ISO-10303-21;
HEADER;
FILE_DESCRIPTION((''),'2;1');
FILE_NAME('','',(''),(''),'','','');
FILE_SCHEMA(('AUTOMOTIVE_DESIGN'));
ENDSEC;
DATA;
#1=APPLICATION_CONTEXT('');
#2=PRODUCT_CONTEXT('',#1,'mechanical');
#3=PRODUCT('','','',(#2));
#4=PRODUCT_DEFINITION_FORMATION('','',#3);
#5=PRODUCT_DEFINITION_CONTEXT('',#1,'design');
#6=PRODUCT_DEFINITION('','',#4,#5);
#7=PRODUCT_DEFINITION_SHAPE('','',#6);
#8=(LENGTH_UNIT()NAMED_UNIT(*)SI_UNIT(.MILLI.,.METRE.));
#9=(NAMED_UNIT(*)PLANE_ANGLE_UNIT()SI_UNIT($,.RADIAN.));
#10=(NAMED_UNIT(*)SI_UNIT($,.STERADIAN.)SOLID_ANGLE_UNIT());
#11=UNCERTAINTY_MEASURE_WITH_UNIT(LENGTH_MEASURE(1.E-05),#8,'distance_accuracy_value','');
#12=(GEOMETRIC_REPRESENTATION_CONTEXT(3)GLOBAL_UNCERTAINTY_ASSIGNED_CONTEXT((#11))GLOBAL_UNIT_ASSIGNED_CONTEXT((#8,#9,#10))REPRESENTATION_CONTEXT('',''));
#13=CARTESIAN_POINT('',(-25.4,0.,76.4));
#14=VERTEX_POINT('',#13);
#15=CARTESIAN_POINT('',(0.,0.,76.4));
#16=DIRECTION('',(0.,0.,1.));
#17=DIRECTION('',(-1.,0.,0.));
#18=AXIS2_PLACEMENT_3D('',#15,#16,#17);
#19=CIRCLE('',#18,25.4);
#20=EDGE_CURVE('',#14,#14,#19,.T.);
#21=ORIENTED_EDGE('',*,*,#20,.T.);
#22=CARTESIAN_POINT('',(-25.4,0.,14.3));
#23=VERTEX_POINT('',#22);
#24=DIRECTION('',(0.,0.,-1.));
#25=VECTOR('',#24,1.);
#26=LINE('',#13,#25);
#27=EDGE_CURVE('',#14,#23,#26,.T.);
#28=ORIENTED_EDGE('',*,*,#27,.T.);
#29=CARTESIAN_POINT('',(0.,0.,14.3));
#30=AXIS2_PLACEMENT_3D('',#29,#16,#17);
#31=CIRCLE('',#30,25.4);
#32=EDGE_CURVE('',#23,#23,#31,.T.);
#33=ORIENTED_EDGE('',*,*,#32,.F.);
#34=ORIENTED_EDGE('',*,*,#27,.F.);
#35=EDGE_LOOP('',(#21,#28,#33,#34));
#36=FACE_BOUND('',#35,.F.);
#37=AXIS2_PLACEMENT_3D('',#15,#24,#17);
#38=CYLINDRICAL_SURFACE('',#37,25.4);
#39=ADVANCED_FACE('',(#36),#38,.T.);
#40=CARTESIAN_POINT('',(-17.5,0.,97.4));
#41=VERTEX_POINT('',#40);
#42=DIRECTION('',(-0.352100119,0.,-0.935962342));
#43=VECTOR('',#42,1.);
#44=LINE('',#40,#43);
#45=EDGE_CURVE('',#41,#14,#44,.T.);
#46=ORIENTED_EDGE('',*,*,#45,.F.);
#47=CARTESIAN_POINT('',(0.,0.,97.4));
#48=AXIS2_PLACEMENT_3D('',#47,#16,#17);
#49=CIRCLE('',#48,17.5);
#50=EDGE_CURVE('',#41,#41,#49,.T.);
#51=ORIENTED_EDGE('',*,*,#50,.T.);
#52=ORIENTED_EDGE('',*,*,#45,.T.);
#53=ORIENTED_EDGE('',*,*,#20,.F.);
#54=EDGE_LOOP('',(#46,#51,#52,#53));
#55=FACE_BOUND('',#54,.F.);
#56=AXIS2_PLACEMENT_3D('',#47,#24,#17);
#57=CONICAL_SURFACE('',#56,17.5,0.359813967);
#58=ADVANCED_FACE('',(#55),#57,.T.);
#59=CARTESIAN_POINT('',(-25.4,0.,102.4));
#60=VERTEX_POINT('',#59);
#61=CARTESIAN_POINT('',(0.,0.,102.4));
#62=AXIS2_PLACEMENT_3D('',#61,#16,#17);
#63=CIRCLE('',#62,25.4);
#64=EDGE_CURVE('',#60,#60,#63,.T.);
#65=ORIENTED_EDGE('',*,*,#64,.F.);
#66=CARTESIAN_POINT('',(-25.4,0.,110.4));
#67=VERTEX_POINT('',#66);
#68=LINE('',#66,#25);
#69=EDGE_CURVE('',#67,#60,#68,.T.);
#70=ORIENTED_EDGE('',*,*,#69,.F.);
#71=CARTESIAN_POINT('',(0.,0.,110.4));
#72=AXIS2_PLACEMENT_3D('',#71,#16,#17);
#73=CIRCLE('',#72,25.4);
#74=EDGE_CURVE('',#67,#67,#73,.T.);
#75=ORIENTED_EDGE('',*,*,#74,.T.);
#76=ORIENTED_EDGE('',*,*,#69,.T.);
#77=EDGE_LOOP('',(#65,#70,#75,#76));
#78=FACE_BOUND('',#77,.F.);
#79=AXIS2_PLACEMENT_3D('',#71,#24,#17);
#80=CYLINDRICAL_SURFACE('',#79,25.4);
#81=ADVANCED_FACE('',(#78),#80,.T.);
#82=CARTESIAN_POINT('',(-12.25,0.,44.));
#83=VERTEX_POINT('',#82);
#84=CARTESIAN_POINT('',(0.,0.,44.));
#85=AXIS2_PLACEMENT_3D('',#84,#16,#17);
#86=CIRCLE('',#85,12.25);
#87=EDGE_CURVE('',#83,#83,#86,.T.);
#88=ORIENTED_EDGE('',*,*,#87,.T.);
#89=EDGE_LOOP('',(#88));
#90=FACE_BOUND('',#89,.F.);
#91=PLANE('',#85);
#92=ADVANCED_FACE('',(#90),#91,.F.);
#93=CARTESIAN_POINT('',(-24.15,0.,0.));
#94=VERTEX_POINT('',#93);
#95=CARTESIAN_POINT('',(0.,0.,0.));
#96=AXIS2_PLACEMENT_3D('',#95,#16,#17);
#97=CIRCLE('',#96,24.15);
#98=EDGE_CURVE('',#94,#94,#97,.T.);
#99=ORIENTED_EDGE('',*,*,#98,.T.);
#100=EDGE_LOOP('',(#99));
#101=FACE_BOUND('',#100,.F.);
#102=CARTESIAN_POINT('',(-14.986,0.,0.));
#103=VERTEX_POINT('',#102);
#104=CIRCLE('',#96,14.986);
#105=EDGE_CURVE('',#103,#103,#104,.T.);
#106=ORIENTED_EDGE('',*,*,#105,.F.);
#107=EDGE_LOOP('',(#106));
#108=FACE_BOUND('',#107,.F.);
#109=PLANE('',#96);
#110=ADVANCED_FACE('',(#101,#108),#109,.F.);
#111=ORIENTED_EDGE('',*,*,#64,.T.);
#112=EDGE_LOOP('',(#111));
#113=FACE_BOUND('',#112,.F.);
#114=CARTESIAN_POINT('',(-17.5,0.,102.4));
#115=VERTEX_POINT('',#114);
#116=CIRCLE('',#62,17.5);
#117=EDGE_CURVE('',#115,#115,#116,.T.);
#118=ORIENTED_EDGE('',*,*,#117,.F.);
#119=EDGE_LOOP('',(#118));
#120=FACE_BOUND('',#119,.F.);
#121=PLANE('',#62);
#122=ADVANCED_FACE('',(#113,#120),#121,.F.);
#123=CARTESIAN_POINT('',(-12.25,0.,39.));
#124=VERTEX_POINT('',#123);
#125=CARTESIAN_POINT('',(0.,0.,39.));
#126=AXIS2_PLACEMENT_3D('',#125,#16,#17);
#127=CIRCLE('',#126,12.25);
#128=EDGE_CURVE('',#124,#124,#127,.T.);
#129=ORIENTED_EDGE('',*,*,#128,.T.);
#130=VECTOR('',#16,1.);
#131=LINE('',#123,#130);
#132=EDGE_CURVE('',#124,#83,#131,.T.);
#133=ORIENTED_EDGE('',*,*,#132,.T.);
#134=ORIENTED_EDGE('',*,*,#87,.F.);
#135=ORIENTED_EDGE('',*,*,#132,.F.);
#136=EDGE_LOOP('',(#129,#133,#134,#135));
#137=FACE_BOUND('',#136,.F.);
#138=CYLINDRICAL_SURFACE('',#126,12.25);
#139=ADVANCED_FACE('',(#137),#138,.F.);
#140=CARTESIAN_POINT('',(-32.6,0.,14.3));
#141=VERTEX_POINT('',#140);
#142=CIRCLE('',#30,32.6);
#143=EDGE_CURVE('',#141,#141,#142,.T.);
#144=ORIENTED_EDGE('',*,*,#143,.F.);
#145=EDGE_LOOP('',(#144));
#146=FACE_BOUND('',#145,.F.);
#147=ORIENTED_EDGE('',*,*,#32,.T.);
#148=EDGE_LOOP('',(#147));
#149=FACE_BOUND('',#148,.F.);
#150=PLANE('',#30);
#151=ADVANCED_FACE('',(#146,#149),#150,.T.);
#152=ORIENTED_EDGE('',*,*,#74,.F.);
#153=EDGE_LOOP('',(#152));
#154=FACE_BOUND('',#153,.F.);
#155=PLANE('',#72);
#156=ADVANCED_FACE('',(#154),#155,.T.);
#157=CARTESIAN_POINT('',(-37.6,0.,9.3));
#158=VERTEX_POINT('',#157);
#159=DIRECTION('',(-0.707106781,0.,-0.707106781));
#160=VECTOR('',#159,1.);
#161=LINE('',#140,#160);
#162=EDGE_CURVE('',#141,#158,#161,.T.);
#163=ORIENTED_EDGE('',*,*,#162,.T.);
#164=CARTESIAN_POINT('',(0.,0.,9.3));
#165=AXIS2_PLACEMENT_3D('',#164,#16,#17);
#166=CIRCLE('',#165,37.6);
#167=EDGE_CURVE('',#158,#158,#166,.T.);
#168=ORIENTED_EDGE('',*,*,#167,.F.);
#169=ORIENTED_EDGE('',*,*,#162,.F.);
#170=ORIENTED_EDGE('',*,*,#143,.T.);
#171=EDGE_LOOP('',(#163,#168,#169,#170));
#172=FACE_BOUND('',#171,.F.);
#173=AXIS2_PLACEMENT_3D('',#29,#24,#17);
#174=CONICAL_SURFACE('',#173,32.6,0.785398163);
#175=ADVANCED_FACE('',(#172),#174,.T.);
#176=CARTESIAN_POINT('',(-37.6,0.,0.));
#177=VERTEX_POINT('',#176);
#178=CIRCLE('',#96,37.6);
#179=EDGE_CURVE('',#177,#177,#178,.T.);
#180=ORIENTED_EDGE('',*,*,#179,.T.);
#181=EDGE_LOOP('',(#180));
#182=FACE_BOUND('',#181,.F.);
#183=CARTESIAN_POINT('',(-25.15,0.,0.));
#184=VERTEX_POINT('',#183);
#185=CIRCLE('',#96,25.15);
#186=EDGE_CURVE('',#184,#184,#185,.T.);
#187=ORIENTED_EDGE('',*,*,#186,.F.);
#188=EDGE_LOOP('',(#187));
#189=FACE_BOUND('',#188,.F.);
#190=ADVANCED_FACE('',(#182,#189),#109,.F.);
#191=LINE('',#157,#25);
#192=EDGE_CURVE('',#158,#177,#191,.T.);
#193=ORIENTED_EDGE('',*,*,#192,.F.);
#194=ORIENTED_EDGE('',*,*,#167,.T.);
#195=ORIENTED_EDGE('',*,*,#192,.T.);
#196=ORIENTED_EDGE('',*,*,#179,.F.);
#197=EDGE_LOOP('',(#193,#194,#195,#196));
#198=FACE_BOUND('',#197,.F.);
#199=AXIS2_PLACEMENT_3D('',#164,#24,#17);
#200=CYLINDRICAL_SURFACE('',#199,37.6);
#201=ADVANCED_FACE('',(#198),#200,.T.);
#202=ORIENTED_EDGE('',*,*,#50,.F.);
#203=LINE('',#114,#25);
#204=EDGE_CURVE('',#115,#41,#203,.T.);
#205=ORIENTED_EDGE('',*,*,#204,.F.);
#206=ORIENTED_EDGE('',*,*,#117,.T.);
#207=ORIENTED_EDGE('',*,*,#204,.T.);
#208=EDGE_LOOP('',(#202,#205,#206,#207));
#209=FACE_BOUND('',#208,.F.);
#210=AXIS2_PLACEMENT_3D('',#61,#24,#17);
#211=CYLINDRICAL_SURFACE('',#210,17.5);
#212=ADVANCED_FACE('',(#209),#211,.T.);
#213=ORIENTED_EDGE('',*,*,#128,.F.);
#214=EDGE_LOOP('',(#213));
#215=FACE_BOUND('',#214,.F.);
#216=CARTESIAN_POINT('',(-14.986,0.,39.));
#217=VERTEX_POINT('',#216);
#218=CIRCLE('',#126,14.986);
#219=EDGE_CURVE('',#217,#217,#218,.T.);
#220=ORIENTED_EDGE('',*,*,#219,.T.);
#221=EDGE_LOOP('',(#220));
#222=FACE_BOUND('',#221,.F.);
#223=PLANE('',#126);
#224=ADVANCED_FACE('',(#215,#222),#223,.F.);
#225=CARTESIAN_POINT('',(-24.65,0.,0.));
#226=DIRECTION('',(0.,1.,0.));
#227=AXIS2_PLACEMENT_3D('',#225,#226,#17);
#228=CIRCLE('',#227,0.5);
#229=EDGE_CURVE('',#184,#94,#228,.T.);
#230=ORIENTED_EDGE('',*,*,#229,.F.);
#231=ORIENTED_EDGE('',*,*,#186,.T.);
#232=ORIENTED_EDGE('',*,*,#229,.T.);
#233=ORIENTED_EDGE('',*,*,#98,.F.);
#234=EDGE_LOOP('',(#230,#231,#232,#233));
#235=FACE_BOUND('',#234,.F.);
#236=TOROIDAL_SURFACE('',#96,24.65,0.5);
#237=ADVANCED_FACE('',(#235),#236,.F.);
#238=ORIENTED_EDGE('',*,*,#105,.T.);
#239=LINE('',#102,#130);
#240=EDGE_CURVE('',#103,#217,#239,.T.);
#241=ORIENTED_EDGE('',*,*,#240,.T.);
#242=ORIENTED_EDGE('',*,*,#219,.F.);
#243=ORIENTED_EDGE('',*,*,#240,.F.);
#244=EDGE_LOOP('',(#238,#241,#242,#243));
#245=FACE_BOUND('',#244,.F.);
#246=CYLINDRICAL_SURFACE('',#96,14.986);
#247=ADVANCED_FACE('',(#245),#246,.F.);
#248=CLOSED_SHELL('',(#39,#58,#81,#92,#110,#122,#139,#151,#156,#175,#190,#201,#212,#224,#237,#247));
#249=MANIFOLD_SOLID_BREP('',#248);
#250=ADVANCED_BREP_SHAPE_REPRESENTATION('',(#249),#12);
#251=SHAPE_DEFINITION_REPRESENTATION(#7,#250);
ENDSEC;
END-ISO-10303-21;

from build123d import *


with BuildPart() as f1:
    # F0 (on Front) → F1 (revolve)
    with BuildSketch(Plane.XZ):
        with BuildLine():
            Line((-37.6, 9.3), (-37.6, 0))
            Line((-37.6, 0), (-25.15, 0))
            ThreePointArc((-25.15, 0), (-24.65, 0.5), (-24.15, 0))
            Line((-24.15, 0), (-14.986, 0))
            Line((-14.986, 0), (-14.986, 39))
            Line((-14.986, 39), (-12.25, 39))
            Line((-12.25, 39), (-12.25, 44))
            Line((-12.25, 44), (0, 44))
            Line((0, 44), (0, 110.4))
            Line((0, 110.4), (-25.4, 110.4))
            Line((-25.4, 110.4), (-25.4, 102.4))
            Line((-25.4, 102.4), (-17.5, 102.4))
            Line((-17.5, 102.4), (-17.5, 97.4))
            Line((-17.5, 97.4), (-25.4, 76.4))
            Line((-25.4, 76.4), (-25.4, 14.3))
            Line((-25.4, 14.3), (-32.6, 14.3))
            Line((-32.6, 14.3), (-37.6, 9.3))
        make_face()
    revolve(axis=Axis((0, 0, 62.623069), (0, 0, 1)))


solid = f1.part
